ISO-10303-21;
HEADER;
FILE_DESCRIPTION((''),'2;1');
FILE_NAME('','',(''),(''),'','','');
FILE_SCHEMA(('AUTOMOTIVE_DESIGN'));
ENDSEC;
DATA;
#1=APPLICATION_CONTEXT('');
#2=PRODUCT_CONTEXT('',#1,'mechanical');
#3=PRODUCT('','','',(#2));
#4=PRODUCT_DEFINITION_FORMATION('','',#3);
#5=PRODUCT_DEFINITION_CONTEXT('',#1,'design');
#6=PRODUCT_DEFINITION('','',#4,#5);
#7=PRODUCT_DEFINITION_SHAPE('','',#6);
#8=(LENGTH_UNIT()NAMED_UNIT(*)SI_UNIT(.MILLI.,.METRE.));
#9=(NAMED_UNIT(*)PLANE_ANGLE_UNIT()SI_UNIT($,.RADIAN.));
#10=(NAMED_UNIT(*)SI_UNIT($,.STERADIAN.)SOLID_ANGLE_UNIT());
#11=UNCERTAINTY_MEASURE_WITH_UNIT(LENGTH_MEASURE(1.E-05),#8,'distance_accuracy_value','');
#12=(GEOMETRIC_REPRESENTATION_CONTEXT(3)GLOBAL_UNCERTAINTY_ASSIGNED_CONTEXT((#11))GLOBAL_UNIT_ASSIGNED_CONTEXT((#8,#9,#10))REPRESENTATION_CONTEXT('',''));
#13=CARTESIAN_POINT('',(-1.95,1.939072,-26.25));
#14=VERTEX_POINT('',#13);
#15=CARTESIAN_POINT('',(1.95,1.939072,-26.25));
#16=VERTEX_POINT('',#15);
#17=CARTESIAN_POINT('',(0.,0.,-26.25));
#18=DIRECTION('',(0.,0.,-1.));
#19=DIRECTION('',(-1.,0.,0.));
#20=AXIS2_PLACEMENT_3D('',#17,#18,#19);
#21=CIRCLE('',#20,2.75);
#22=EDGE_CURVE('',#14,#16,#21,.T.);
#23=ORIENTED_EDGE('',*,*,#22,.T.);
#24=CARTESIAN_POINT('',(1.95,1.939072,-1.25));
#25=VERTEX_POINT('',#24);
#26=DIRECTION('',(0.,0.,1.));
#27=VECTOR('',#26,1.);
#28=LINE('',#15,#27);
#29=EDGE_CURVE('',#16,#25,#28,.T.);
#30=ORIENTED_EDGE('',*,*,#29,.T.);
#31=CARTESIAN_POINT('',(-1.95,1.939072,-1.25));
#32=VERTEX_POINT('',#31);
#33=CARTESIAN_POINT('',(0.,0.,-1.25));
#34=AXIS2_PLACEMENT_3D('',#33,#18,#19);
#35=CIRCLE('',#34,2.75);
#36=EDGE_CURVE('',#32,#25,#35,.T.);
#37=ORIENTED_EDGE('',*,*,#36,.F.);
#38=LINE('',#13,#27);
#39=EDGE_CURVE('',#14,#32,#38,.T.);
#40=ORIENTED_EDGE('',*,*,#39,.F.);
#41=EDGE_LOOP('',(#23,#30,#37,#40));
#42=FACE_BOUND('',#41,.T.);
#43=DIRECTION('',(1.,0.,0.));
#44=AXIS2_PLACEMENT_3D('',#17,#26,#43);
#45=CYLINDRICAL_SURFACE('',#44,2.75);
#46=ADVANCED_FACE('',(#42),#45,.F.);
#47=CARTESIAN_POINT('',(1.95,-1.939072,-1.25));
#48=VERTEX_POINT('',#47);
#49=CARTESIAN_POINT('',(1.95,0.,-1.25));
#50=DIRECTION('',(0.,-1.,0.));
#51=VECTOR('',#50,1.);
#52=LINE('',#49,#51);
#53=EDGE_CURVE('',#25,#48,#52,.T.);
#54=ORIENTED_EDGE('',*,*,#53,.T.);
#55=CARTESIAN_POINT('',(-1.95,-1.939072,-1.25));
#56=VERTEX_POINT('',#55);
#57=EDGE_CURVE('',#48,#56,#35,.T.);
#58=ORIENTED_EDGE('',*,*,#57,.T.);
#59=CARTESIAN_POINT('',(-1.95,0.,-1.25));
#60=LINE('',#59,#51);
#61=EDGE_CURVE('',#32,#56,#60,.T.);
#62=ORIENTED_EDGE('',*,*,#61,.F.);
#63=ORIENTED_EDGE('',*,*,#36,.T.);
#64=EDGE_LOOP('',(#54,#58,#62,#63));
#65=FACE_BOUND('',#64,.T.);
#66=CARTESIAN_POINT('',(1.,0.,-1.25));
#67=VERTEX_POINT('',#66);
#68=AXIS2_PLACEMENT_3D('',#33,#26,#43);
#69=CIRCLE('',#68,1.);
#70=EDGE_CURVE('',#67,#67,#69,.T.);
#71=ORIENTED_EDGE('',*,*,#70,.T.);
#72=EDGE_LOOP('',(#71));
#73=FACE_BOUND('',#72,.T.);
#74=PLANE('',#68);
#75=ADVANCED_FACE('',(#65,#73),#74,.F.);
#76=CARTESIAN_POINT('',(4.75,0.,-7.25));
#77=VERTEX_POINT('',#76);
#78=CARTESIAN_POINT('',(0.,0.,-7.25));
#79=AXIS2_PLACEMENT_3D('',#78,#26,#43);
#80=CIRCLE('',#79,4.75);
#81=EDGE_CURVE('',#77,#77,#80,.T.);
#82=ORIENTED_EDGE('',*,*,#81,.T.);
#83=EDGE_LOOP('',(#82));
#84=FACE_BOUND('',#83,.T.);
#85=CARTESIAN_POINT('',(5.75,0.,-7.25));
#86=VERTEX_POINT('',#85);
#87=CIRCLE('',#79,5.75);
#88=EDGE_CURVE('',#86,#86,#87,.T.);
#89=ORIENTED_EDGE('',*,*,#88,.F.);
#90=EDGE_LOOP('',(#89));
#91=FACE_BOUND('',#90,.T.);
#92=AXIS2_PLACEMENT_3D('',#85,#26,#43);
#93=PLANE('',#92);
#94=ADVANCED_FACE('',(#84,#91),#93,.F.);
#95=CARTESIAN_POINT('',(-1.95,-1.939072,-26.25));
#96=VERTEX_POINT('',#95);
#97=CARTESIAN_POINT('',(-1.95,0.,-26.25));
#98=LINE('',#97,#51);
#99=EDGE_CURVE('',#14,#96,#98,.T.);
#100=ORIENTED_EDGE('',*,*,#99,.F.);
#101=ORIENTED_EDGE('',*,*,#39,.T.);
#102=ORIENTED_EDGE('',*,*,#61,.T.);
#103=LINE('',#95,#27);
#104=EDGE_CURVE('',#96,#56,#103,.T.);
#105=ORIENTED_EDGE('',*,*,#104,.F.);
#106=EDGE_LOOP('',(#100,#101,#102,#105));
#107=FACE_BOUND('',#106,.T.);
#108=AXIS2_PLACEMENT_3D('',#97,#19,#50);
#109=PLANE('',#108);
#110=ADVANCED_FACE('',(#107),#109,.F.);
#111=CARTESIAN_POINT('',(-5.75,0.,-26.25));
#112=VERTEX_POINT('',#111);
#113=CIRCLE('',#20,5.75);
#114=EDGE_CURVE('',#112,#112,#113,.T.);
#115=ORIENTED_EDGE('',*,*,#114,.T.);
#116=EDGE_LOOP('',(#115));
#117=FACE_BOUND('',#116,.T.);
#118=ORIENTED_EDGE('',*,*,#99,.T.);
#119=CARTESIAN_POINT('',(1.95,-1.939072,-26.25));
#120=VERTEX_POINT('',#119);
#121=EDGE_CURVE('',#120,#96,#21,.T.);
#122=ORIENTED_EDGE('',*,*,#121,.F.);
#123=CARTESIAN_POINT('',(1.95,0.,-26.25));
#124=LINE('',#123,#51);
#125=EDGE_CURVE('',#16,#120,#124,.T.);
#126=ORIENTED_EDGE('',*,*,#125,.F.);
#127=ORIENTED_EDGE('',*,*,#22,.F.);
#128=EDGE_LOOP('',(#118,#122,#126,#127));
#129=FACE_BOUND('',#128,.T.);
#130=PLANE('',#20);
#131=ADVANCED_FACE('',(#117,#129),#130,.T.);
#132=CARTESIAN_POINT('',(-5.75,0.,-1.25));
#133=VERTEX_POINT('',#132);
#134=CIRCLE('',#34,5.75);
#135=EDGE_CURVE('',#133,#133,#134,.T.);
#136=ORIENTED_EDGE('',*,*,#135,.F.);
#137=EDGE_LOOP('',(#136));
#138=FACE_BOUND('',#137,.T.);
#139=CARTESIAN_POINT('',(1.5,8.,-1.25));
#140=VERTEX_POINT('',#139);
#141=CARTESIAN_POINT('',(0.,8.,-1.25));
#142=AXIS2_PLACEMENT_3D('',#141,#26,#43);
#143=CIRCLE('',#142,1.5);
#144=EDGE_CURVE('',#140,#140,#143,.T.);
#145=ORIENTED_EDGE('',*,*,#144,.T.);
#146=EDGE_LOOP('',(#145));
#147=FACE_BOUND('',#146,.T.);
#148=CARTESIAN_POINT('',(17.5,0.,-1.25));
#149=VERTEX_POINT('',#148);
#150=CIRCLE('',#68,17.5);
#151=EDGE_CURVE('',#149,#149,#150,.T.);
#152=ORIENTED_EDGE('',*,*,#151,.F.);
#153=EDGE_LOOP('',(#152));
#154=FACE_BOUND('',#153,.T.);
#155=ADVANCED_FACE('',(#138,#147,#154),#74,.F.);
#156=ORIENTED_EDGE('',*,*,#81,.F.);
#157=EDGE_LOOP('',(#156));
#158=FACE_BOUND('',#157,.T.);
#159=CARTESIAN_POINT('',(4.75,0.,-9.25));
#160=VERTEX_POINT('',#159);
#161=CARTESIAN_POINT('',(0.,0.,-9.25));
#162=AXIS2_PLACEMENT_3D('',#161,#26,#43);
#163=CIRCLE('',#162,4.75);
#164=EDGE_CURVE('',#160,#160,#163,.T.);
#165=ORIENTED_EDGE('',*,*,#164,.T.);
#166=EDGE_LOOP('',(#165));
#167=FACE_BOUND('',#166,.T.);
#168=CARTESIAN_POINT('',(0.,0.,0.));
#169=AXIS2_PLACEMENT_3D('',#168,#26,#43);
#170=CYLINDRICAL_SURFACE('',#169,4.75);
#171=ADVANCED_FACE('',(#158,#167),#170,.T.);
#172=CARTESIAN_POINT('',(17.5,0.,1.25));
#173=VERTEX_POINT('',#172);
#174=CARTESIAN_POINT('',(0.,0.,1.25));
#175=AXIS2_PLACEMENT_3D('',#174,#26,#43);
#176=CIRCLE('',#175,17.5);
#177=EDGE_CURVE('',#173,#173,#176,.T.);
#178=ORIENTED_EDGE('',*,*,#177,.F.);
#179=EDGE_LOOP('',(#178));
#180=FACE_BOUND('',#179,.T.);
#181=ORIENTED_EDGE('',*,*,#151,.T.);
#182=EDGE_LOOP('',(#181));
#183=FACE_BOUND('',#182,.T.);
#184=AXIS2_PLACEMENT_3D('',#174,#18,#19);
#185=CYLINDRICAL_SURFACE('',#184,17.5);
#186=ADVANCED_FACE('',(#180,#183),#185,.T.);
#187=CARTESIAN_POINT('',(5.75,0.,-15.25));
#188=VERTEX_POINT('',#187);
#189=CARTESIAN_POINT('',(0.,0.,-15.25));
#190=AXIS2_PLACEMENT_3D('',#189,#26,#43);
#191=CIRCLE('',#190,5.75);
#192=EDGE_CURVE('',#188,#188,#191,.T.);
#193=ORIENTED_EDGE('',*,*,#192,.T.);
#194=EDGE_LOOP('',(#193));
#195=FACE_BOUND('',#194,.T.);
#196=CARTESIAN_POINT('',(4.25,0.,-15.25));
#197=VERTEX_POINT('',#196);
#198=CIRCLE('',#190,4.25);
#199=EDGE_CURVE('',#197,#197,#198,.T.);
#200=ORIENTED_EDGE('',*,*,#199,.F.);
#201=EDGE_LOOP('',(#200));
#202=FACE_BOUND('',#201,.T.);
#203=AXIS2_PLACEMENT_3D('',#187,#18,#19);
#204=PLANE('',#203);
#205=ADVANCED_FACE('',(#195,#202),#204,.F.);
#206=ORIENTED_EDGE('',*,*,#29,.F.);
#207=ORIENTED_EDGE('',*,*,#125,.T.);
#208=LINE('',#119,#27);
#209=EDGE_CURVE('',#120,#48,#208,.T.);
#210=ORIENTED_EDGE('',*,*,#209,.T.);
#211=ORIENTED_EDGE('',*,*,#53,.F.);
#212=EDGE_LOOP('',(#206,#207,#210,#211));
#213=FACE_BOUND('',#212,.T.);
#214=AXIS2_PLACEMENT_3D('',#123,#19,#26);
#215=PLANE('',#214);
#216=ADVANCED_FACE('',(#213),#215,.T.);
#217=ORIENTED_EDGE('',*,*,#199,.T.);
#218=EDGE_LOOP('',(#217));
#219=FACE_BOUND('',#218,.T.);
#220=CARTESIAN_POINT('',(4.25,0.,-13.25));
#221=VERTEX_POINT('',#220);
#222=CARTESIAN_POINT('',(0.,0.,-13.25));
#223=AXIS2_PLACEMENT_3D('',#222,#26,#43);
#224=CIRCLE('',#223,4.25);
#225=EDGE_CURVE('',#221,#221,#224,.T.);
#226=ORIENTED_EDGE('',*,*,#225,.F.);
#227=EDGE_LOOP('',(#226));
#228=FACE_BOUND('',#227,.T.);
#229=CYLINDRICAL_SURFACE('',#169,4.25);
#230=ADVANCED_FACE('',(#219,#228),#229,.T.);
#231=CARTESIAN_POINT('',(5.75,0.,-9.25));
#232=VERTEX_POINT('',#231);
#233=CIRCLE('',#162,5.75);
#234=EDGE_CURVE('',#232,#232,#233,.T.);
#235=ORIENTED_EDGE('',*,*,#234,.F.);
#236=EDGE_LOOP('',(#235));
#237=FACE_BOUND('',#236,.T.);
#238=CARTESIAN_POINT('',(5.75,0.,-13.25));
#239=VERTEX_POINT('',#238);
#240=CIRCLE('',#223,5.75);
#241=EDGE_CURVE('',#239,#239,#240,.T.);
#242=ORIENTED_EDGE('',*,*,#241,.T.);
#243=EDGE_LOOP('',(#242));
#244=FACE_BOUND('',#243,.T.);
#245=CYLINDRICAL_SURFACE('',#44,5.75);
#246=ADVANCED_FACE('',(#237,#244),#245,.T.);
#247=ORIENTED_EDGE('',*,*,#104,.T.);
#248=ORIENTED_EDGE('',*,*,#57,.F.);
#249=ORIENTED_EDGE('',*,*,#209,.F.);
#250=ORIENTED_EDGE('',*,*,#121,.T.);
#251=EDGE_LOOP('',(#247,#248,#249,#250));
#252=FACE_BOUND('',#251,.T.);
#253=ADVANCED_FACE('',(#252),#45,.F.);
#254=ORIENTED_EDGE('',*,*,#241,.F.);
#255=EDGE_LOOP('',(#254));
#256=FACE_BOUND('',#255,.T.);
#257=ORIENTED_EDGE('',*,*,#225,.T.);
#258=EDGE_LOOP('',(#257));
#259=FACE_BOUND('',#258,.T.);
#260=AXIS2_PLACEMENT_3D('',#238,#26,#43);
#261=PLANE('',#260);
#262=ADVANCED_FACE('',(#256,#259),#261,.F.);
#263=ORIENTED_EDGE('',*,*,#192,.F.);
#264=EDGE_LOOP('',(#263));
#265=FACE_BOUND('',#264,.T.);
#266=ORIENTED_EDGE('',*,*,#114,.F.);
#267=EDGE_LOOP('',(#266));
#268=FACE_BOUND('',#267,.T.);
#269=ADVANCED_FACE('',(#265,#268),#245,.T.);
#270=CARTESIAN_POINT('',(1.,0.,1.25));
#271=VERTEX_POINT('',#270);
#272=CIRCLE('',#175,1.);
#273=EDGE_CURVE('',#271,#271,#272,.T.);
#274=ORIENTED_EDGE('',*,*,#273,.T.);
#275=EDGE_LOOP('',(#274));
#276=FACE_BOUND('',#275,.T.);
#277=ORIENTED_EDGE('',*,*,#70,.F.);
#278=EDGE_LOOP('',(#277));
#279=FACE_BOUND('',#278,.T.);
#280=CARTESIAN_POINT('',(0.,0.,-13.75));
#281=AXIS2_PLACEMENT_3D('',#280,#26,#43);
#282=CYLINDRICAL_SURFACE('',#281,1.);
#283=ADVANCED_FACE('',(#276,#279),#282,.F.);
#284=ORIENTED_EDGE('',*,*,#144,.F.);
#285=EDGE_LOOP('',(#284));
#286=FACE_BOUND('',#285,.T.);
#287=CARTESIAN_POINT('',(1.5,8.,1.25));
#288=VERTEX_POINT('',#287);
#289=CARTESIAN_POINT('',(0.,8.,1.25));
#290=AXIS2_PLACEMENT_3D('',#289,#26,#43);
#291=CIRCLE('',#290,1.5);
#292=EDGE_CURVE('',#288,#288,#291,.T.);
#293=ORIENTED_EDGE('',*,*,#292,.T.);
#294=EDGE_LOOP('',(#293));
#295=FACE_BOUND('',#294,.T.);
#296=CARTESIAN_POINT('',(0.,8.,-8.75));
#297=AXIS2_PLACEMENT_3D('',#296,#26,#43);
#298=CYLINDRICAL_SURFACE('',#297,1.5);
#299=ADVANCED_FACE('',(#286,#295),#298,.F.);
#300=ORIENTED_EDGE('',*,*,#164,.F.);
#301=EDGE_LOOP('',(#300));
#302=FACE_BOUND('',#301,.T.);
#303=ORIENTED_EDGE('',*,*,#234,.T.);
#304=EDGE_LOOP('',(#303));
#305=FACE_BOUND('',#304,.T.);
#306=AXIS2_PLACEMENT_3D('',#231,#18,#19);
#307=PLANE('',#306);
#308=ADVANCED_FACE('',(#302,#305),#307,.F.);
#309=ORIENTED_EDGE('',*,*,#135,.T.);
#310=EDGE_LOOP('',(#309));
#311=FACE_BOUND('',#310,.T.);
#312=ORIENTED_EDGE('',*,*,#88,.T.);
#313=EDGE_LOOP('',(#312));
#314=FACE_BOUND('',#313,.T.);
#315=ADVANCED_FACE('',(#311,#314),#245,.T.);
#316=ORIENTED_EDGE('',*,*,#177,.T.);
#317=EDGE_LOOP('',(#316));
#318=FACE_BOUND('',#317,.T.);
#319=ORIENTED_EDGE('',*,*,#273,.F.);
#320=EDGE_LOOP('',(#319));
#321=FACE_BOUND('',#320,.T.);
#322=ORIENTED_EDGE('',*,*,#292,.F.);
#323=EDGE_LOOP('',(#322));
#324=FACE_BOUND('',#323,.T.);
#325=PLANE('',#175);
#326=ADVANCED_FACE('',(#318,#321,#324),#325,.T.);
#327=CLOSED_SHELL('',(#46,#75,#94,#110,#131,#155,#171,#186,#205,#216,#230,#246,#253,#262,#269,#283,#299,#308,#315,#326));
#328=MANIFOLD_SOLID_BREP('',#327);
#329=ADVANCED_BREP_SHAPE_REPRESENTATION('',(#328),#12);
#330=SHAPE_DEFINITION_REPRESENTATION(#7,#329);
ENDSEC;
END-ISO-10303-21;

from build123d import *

# Parameters (mm, degrees)
CROQUIS2_R              = 17.5
SALIENTE_EXTRUIR1_DEPTH = 1.25
SALIENTE_EXTRUIR2_DEPTH = 25
CROQUIS4_R              = 1
CORTAR_EXTRUIR1_DEPTH   = 15
CROQUIS7_R              = 1.5
CORTAR_EXTRUIR2_DEPTH   = 10
CROQUIS8_W              = 1.5
CROQUIS8_H              = 2
CROQUIS8_W_2            = 1


with BuildPart() as part:
    # Croquis2 → Saliente-Extruir1 (new, symmetric)
    with BuildSketch(Plane.XY):
        Circle(CROQUIS2_R)
    extrude(amount=SALIENTE_EXTRUIR1_DEPTH, both=True)

    # Croquis3 → Saliente-Extruir2 (add)
    with BuildSketch(Plane(origin=(0, 0, -1.25), x_dir=(-1, 0, 0), z_dir=(0, 0, -1))):
        with BuildLine():
            ThreePointArc((5.75, 0), (4.065863992, 4.065863992), (0, 5.75))
            Line((0, 5.75), (0, 2.75))
            ThreePointArc((0, 2.75), (1.055947953, 2.53918765), (1.95, 1.939071943))
            ThreePointArc((1.95, 1.939071943), (2.542144764, 1.048808848), (2.75, 0))
            ThreePointArc((2.75, 0), (2.542144764, -1.048808848), (1.95, -1.939071943))
            ThreePointArc((1.95, -1.939071943), (1.055947953, -2.53918765), (0, -2.75))
            Line((0, -2.75), (0, -5.75))
            ThreePointArc((0, -5.75), (4.065863992, -4.065863992), (5.75, 0))
        make_face()
        with BuildLine():
            Line((0, 2.75), (0, 5.75))
            ThreePointArc((0, 5.75), (-5.75, 0), (0, -5.75))
            Line((0, -5.75), (0, -2.75))
            ThreePointArc((0, -2.75), (-1.055947953, -2.53918765), (-1.95, -1.939071943))
            ThreePointArc((-1.95, -1.939071943), (-2.75, 0), (-1.95, 1.939071943))
            ThreePointArc((-1.95, 1.939071943), (-1.055947953, 2.53918765), (0, 2.75))
        make_face()
        with BuildLine():
            Line((-1.95, -1.939071943), (-1.95, 1.939071943))
            ThreePointArc((-1.95, 1.939071943), (-2.75, 0), (-1.95, -1.939071943))
        make_face()
        with BuildLine():
            ThreePointArc((2.75, 0), (2.542144764, 1.048808848), (1.95, 1.939071943))
            Line((1.95, 1.939071943), (1.95, -1.939071943))
            ThreePointArc((1.95, -1.939071943), (2.542144764, -1.048808848), (2.75, 0))
        make_face()
    extrude(amount=SALIENTE_EXTRUIR2_DEPTH)

    # Croquis4 → Cortar-Extruir1 (cut)
    with BuildSketch(Plane.XY.offset(1.25)):
        Circle(CROQUIS4_R)
    extrude(amount=-CORTAR_EXTRUIR1_DEPTH, mode=Mode.SUBTRACT)

    # Croquis7 → Cortar-Extruir2 (cut)
    with BuildSketch(Plane.XY.offset(1.25)):
        with Locations((0, 8)):
            Circle(CROQUIS7_R)
    extrude(amount=-CORTAR_EXTRUIR2_DEPTH, mode=Mode.SUBTRACT)

    # Croquis8 → Cortar-Revolución1 (revolve, cut)
    with BuildSketch(Plane(origin=(0, 0, 0), x_dir=(1, 0, 0), z_dir=(0, 1, 0))):
        with Locations((5, 14.25)):
            Rectangle(CROQUIS8_W, CROQUIS8_H)
        with Locations((5.25, 8.25)):
            Rectangle(CROQUIS8_W_2, CROQUIS8_H)
    revolve(axis=Axis((0, 0, 0), (0, 0, -1)), mode=Mode.SUBTRACT)


solid = part.part
